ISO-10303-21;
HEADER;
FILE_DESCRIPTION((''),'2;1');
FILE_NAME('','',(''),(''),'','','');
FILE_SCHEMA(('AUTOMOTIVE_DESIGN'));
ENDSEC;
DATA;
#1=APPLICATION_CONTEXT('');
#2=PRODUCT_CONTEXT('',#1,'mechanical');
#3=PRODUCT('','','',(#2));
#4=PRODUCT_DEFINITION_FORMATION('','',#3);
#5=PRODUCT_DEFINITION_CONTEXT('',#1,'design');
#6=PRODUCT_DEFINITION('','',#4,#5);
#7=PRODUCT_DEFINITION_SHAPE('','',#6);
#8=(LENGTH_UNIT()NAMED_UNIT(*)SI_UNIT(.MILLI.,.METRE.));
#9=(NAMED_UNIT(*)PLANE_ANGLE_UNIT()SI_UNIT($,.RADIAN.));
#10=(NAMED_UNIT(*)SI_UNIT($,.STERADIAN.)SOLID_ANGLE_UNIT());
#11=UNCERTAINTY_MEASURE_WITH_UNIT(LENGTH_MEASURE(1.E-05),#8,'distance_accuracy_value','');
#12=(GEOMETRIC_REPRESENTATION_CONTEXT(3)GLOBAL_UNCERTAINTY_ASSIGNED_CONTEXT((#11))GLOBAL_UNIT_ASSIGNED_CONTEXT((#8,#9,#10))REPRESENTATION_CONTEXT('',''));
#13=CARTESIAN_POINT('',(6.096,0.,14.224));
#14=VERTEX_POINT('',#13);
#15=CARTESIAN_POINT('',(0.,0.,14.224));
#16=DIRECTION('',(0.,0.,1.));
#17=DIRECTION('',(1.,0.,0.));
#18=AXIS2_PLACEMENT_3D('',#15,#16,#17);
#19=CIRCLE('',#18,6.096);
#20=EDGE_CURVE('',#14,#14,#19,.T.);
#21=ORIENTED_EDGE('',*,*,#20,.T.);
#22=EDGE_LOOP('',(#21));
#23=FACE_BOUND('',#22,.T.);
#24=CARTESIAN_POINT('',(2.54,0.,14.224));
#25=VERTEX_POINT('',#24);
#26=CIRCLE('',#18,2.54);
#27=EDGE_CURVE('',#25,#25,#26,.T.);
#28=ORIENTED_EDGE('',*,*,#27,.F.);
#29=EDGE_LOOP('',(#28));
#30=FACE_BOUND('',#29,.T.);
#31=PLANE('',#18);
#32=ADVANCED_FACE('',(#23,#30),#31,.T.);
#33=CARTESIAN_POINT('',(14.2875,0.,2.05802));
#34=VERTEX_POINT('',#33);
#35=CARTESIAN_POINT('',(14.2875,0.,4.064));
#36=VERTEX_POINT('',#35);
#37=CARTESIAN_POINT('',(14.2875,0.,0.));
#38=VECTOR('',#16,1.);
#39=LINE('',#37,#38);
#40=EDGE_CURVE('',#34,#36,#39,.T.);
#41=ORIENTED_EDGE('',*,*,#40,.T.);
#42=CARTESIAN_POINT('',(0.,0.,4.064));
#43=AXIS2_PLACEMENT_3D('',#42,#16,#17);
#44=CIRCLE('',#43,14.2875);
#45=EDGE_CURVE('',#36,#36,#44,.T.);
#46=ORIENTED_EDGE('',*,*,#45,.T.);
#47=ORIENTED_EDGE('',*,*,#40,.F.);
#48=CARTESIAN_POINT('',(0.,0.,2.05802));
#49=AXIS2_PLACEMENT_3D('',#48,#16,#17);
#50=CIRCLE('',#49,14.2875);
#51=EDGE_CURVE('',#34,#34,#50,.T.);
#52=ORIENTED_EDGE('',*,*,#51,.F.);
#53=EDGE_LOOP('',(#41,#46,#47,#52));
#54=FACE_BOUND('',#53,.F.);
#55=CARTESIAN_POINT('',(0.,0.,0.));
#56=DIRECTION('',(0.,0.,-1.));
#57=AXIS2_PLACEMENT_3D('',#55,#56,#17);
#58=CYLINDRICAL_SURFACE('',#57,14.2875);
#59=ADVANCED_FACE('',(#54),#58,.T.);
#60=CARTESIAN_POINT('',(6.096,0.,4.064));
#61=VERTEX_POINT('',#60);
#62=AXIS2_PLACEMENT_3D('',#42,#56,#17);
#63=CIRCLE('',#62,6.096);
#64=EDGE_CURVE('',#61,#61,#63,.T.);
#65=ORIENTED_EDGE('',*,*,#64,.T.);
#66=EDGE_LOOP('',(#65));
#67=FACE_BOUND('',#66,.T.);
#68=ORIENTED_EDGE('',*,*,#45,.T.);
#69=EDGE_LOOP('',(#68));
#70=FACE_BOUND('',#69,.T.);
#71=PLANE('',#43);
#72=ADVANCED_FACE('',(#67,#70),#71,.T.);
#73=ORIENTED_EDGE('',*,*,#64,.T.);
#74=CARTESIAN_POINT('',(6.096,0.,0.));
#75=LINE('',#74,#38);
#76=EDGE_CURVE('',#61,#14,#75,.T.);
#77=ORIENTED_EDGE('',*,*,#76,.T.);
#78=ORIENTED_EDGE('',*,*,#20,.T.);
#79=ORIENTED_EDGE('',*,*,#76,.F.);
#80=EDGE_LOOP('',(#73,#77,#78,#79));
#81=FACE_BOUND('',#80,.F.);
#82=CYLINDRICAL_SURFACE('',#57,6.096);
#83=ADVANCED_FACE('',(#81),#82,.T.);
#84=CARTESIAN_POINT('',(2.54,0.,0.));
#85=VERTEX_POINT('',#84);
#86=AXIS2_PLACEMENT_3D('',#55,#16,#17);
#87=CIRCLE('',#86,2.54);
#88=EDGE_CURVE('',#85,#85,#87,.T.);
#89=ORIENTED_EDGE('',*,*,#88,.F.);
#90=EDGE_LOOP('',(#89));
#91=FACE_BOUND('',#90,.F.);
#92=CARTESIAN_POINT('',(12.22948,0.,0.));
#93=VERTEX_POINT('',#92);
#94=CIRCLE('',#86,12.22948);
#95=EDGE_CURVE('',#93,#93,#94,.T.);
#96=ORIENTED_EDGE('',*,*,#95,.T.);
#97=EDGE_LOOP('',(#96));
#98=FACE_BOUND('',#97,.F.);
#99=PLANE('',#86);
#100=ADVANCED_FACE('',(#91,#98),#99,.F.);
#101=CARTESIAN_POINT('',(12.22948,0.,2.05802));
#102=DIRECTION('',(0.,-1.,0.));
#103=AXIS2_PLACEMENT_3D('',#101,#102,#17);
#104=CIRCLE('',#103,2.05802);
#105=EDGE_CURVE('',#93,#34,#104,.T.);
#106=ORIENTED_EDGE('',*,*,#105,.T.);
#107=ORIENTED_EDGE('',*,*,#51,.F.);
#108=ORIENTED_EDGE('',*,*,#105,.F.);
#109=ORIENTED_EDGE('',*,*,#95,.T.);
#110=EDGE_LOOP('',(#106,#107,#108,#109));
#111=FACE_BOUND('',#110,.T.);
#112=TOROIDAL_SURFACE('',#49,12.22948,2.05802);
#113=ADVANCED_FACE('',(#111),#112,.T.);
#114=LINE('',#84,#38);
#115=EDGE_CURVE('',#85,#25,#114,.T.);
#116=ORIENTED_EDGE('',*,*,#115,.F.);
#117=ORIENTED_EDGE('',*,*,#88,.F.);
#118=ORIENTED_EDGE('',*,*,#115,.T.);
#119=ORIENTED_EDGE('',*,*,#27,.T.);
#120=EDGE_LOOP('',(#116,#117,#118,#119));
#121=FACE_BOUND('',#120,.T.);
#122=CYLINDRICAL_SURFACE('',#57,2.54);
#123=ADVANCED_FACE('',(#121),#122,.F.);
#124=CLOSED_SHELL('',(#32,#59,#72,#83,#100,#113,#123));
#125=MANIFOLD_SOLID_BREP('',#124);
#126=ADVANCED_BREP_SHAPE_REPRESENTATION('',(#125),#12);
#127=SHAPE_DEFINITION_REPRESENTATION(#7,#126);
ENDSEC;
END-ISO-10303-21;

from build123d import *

# Parameters (mm, degrees)
F0_R     = 14.2875
F0_R_2   = 6.096
F0_R_3   = 2.54
F1_DEPTH = 4.064
F2_DEPTH = 14.224
F3_R     = 2.05802


with BuildPart() as f1:
    # F0 (on Top) → F1 (new body)
    with BuildSketch(Plane.XY):
        Circle(F0_R)
        Circle(F0_R_2, mode=Mode.SUBTRACT)
        Circle(F0_R_2)
        Circle(F0_R_3, mode=Mode.SUBTRACT)
    extrude(amount=F1_DEPTH)

    # F0 (on Top) → F2 (join)
    with BuildSketch(Plane.XY):
        Circle(F0_R_2)
        Circle(F0_R_3, mode=Mode.SUBTRACT)
    extrude(amount=F2_DEPTH)

    # F3
    f3_edges = [f1.edges().sort_by_distance(p)[0] for p in [
        (-14.2875, 0, 0),
    ]]
    fillet(f3_edges, radius=F3_R)


solid = f1.part
